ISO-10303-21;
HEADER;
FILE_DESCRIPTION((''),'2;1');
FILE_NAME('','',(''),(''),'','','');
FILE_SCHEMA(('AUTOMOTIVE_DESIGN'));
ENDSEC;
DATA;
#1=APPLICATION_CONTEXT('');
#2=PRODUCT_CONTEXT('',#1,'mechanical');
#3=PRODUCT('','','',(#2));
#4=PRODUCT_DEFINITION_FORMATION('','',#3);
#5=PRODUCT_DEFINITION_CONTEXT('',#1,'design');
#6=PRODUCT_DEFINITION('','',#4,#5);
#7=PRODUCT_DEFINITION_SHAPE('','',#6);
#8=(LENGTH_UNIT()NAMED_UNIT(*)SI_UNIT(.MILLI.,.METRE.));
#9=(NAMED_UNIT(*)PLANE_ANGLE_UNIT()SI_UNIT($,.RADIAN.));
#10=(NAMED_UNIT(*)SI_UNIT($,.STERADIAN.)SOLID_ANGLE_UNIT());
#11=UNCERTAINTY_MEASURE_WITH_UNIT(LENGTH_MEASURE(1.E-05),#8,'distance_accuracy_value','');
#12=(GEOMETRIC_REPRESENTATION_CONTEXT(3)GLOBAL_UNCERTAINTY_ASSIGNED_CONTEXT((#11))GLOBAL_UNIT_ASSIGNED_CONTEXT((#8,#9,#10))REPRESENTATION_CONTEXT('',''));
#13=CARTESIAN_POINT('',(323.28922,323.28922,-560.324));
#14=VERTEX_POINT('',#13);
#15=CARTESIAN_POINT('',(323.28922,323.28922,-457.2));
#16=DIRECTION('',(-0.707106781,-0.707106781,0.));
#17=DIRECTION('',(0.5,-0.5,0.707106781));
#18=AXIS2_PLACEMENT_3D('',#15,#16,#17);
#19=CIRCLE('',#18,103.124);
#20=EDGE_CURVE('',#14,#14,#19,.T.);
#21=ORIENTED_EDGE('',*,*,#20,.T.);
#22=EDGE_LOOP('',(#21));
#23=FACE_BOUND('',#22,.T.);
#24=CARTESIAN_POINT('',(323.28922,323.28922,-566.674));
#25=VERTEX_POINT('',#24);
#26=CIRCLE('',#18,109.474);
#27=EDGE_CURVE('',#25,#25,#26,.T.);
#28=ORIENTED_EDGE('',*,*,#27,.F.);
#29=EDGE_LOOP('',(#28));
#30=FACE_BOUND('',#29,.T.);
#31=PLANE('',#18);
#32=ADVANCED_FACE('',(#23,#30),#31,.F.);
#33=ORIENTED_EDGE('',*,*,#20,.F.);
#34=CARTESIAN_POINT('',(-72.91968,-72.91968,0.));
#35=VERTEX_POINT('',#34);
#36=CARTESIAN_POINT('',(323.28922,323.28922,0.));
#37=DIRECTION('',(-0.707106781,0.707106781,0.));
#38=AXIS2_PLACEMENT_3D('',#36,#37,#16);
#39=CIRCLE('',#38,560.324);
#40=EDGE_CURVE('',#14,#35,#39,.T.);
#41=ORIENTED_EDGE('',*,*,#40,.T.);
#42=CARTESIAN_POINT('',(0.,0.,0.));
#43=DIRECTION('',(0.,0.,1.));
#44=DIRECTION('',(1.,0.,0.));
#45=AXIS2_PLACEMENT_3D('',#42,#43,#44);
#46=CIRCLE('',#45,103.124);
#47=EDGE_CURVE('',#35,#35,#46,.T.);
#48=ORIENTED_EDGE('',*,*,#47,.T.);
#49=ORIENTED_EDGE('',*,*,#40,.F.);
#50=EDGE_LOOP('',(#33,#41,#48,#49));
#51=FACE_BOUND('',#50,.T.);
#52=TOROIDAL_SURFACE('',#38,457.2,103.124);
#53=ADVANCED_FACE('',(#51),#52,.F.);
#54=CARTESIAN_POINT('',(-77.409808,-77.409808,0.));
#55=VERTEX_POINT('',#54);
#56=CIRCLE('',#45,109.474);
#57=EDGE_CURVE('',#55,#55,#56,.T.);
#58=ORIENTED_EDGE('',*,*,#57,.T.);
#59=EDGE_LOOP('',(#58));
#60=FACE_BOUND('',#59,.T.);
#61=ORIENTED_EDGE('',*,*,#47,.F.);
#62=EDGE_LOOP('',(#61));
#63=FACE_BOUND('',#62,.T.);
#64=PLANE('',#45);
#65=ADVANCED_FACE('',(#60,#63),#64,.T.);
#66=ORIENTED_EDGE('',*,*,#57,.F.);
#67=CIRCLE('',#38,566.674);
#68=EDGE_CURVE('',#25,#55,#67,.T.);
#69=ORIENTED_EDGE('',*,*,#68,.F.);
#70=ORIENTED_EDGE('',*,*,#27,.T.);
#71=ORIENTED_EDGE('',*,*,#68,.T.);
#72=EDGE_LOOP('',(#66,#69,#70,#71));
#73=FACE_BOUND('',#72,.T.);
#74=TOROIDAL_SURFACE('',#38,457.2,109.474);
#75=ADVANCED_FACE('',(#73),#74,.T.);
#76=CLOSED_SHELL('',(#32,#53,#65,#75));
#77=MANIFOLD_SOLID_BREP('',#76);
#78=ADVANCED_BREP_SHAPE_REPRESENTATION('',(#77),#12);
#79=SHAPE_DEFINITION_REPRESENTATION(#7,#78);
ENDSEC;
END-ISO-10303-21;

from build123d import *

# Parameters (mm, degrees)
PIPESKETCH_R   = 109.474
PIPESKETCH_R_2 = 103.124


with BuildPart() as part:
    # Sweep1: sweep along a curve in space
    with BuildLine() as sweep1_path:
        ThreePointArc((0, 0, 0), (94.689220358, 94.689220358, -323.289220358), (323.289220358, 323.289220358, -457.2))
    # PipeSketch → Sweep1 (sweep)
    with BuildSketch(Plane.XY):
        Circle(PIPESKETCH_R)
        Circle(PIPESKETCH_R_2, mode=Mode.SUBTRACT)
    sweep(path=sweep1_path.line)


solid = part.part
